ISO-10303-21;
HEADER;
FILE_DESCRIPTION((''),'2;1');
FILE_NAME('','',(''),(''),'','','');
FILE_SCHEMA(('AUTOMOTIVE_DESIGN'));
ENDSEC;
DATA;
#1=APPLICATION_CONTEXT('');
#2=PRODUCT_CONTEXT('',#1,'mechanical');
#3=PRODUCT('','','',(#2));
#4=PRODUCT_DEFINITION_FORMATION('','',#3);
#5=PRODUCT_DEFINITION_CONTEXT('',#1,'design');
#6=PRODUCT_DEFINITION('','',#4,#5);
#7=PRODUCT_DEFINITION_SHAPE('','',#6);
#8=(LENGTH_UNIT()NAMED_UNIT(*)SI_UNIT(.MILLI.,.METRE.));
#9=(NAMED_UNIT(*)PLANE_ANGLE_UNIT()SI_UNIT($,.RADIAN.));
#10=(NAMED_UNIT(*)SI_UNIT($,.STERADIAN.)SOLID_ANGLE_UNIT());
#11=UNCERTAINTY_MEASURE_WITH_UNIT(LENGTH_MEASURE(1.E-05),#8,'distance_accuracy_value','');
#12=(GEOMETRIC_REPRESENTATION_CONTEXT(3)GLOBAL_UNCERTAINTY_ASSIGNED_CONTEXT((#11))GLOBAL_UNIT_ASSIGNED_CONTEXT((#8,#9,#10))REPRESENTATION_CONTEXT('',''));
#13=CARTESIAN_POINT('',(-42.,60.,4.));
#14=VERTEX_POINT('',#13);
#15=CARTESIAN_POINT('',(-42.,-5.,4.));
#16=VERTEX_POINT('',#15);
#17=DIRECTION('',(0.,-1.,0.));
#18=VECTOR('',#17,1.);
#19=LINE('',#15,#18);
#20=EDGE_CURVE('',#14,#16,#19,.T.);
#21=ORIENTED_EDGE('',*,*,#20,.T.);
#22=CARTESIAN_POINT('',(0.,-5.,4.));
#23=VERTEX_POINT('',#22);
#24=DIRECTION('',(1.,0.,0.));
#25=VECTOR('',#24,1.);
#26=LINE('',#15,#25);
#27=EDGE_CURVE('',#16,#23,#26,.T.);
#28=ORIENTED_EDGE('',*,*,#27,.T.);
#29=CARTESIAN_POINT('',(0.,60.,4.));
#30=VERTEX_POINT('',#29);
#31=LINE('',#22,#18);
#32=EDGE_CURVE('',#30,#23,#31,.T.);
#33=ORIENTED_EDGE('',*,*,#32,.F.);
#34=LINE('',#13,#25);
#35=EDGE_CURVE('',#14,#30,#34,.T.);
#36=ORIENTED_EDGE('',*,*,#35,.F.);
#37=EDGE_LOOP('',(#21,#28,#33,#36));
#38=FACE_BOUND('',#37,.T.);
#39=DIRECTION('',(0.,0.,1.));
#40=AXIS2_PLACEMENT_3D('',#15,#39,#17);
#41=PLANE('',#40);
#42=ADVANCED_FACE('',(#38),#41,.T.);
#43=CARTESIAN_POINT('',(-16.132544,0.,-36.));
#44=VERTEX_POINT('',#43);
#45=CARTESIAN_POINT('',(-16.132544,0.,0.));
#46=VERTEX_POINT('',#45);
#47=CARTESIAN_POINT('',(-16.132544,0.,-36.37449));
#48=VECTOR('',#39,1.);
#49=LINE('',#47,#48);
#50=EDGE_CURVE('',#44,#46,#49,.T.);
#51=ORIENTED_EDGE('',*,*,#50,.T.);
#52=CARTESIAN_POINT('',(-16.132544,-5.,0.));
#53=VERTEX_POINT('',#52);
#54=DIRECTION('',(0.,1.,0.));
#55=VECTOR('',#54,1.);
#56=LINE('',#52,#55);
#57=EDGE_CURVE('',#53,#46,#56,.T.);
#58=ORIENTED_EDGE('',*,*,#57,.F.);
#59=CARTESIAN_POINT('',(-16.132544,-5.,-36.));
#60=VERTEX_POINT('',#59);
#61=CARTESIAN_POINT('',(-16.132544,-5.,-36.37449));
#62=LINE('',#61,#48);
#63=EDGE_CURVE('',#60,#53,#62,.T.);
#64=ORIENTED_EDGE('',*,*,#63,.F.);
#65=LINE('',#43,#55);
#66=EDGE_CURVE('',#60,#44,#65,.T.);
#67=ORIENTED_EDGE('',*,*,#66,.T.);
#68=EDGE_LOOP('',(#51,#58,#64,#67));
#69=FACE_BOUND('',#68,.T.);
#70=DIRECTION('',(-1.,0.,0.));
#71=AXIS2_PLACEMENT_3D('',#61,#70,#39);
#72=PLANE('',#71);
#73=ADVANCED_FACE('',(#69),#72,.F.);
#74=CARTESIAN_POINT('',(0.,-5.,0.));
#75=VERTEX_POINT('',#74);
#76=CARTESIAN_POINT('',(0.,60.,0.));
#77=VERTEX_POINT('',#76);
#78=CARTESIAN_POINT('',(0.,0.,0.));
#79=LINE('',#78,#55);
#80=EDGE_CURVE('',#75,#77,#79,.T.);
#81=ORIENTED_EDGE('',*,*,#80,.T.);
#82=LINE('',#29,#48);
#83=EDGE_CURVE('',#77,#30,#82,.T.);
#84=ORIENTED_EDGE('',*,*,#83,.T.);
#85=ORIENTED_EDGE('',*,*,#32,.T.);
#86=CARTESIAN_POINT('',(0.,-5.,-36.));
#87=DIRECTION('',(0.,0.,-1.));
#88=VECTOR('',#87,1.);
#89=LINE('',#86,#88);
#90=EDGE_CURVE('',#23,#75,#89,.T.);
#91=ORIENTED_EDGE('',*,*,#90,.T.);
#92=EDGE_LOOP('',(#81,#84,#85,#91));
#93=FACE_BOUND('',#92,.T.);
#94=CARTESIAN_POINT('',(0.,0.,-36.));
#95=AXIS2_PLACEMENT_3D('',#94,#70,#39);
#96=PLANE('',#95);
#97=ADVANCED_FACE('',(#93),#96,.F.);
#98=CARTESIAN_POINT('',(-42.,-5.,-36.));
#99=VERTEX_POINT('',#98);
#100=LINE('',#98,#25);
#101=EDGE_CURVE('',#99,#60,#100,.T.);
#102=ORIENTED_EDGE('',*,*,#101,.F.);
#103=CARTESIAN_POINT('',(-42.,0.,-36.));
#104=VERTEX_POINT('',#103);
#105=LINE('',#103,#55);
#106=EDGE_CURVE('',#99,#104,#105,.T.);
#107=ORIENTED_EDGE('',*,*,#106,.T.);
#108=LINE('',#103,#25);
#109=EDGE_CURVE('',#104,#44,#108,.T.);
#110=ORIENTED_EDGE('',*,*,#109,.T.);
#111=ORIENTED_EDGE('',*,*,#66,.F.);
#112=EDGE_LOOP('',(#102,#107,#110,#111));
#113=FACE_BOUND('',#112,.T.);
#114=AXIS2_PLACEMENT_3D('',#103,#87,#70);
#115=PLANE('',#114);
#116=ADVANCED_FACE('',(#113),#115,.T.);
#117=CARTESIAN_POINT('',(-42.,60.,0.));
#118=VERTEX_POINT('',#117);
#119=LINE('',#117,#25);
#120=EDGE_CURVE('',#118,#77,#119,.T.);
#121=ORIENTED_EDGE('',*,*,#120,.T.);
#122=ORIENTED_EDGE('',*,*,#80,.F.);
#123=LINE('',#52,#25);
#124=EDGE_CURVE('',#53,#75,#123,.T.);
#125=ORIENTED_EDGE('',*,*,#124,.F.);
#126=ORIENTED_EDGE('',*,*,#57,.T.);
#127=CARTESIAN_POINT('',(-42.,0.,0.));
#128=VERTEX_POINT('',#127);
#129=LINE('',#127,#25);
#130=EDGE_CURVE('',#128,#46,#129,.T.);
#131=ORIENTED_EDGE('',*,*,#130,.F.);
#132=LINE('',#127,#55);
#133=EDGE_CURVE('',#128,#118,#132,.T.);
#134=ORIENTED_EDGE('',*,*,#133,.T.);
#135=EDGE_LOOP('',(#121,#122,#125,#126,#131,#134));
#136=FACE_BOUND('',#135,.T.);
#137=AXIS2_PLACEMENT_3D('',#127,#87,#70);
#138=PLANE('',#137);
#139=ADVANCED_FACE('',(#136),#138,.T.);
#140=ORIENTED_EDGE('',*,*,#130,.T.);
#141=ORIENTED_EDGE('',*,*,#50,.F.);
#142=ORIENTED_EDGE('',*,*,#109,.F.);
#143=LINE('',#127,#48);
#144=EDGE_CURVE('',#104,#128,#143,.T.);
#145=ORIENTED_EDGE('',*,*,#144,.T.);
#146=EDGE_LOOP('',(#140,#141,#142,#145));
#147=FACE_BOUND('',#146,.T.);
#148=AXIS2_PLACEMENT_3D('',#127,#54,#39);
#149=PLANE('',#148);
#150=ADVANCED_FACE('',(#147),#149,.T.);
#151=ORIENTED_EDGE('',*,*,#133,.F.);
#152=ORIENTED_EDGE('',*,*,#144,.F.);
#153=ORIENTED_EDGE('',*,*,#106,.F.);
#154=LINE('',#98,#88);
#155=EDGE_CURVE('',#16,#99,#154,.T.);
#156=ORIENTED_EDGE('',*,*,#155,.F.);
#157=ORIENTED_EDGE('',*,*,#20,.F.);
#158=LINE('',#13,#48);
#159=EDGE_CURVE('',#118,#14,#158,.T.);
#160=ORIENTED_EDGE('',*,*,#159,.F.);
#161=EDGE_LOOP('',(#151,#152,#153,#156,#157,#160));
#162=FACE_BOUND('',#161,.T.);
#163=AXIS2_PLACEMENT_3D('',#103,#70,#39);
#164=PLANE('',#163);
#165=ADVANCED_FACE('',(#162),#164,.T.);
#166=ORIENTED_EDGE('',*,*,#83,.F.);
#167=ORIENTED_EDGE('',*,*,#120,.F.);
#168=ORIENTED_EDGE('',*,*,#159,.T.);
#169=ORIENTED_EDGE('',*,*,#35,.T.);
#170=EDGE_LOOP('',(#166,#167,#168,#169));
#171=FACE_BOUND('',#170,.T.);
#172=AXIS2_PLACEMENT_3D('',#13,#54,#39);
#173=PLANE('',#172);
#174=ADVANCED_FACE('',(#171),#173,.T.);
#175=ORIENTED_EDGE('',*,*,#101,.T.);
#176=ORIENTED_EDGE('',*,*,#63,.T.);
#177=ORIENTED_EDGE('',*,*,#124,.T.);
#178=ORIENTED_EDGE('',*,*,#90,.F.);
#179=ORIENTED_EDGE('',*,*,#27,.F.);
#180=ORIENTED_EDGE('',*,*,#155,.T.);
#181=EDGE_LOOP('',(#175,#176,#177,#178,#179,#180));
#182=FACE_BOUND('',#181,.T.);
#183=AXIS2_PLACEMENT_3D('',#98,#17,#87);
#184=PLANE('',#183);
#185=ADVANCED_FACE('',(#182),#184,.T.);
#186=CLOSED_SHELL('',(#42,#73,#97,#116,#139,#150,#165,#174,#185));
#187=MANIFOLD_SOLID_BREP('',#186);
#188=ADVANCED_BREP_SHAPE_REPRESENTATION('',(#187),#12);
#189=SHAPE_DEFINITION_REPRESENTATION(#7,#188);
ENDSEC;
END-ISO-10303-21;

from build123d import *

# Parameters (mm, degrees)
EXTRUDE_1_DEPTH     = 42
SKETCH_3_W          = 16.132543854
SKETCH_3_H          = 36.374490106
CUT_EXTRUDE_1_DEPTH = 82.608823052


with BuildPart() as part:
    # Эскиз1 → Вытянуть1 (new body)
    with BuildSketch(Plane(origin=(0, 0, 0), x_dir=(0, 0, -1), z_dir=(1, 0, 0))):
        Polygon((0, 0), (0, 60), (-4, 60), (-4, -5), (36, -5), (36, 0), align=None)
    extrude(amount=-EXTRUDE_1_DEPTH)

    # Эскиз3 → Вырез-Вытянуть1 (cut, through all)
    with BuildSketch(Plane(origin=(0, 0, 0), x_dir=(1, 0, 0), z_dir=(0, 1, 0))):
        with Locations((-8.066271927, 18.187245053)):
            Rectangle(SKETCH_3_W, SKETCH_3_H)
    extrude(amount=-CUT_EXTRUDE_1_DEPTH, mode=Mode.SUBTRACT)


solid = part.part
